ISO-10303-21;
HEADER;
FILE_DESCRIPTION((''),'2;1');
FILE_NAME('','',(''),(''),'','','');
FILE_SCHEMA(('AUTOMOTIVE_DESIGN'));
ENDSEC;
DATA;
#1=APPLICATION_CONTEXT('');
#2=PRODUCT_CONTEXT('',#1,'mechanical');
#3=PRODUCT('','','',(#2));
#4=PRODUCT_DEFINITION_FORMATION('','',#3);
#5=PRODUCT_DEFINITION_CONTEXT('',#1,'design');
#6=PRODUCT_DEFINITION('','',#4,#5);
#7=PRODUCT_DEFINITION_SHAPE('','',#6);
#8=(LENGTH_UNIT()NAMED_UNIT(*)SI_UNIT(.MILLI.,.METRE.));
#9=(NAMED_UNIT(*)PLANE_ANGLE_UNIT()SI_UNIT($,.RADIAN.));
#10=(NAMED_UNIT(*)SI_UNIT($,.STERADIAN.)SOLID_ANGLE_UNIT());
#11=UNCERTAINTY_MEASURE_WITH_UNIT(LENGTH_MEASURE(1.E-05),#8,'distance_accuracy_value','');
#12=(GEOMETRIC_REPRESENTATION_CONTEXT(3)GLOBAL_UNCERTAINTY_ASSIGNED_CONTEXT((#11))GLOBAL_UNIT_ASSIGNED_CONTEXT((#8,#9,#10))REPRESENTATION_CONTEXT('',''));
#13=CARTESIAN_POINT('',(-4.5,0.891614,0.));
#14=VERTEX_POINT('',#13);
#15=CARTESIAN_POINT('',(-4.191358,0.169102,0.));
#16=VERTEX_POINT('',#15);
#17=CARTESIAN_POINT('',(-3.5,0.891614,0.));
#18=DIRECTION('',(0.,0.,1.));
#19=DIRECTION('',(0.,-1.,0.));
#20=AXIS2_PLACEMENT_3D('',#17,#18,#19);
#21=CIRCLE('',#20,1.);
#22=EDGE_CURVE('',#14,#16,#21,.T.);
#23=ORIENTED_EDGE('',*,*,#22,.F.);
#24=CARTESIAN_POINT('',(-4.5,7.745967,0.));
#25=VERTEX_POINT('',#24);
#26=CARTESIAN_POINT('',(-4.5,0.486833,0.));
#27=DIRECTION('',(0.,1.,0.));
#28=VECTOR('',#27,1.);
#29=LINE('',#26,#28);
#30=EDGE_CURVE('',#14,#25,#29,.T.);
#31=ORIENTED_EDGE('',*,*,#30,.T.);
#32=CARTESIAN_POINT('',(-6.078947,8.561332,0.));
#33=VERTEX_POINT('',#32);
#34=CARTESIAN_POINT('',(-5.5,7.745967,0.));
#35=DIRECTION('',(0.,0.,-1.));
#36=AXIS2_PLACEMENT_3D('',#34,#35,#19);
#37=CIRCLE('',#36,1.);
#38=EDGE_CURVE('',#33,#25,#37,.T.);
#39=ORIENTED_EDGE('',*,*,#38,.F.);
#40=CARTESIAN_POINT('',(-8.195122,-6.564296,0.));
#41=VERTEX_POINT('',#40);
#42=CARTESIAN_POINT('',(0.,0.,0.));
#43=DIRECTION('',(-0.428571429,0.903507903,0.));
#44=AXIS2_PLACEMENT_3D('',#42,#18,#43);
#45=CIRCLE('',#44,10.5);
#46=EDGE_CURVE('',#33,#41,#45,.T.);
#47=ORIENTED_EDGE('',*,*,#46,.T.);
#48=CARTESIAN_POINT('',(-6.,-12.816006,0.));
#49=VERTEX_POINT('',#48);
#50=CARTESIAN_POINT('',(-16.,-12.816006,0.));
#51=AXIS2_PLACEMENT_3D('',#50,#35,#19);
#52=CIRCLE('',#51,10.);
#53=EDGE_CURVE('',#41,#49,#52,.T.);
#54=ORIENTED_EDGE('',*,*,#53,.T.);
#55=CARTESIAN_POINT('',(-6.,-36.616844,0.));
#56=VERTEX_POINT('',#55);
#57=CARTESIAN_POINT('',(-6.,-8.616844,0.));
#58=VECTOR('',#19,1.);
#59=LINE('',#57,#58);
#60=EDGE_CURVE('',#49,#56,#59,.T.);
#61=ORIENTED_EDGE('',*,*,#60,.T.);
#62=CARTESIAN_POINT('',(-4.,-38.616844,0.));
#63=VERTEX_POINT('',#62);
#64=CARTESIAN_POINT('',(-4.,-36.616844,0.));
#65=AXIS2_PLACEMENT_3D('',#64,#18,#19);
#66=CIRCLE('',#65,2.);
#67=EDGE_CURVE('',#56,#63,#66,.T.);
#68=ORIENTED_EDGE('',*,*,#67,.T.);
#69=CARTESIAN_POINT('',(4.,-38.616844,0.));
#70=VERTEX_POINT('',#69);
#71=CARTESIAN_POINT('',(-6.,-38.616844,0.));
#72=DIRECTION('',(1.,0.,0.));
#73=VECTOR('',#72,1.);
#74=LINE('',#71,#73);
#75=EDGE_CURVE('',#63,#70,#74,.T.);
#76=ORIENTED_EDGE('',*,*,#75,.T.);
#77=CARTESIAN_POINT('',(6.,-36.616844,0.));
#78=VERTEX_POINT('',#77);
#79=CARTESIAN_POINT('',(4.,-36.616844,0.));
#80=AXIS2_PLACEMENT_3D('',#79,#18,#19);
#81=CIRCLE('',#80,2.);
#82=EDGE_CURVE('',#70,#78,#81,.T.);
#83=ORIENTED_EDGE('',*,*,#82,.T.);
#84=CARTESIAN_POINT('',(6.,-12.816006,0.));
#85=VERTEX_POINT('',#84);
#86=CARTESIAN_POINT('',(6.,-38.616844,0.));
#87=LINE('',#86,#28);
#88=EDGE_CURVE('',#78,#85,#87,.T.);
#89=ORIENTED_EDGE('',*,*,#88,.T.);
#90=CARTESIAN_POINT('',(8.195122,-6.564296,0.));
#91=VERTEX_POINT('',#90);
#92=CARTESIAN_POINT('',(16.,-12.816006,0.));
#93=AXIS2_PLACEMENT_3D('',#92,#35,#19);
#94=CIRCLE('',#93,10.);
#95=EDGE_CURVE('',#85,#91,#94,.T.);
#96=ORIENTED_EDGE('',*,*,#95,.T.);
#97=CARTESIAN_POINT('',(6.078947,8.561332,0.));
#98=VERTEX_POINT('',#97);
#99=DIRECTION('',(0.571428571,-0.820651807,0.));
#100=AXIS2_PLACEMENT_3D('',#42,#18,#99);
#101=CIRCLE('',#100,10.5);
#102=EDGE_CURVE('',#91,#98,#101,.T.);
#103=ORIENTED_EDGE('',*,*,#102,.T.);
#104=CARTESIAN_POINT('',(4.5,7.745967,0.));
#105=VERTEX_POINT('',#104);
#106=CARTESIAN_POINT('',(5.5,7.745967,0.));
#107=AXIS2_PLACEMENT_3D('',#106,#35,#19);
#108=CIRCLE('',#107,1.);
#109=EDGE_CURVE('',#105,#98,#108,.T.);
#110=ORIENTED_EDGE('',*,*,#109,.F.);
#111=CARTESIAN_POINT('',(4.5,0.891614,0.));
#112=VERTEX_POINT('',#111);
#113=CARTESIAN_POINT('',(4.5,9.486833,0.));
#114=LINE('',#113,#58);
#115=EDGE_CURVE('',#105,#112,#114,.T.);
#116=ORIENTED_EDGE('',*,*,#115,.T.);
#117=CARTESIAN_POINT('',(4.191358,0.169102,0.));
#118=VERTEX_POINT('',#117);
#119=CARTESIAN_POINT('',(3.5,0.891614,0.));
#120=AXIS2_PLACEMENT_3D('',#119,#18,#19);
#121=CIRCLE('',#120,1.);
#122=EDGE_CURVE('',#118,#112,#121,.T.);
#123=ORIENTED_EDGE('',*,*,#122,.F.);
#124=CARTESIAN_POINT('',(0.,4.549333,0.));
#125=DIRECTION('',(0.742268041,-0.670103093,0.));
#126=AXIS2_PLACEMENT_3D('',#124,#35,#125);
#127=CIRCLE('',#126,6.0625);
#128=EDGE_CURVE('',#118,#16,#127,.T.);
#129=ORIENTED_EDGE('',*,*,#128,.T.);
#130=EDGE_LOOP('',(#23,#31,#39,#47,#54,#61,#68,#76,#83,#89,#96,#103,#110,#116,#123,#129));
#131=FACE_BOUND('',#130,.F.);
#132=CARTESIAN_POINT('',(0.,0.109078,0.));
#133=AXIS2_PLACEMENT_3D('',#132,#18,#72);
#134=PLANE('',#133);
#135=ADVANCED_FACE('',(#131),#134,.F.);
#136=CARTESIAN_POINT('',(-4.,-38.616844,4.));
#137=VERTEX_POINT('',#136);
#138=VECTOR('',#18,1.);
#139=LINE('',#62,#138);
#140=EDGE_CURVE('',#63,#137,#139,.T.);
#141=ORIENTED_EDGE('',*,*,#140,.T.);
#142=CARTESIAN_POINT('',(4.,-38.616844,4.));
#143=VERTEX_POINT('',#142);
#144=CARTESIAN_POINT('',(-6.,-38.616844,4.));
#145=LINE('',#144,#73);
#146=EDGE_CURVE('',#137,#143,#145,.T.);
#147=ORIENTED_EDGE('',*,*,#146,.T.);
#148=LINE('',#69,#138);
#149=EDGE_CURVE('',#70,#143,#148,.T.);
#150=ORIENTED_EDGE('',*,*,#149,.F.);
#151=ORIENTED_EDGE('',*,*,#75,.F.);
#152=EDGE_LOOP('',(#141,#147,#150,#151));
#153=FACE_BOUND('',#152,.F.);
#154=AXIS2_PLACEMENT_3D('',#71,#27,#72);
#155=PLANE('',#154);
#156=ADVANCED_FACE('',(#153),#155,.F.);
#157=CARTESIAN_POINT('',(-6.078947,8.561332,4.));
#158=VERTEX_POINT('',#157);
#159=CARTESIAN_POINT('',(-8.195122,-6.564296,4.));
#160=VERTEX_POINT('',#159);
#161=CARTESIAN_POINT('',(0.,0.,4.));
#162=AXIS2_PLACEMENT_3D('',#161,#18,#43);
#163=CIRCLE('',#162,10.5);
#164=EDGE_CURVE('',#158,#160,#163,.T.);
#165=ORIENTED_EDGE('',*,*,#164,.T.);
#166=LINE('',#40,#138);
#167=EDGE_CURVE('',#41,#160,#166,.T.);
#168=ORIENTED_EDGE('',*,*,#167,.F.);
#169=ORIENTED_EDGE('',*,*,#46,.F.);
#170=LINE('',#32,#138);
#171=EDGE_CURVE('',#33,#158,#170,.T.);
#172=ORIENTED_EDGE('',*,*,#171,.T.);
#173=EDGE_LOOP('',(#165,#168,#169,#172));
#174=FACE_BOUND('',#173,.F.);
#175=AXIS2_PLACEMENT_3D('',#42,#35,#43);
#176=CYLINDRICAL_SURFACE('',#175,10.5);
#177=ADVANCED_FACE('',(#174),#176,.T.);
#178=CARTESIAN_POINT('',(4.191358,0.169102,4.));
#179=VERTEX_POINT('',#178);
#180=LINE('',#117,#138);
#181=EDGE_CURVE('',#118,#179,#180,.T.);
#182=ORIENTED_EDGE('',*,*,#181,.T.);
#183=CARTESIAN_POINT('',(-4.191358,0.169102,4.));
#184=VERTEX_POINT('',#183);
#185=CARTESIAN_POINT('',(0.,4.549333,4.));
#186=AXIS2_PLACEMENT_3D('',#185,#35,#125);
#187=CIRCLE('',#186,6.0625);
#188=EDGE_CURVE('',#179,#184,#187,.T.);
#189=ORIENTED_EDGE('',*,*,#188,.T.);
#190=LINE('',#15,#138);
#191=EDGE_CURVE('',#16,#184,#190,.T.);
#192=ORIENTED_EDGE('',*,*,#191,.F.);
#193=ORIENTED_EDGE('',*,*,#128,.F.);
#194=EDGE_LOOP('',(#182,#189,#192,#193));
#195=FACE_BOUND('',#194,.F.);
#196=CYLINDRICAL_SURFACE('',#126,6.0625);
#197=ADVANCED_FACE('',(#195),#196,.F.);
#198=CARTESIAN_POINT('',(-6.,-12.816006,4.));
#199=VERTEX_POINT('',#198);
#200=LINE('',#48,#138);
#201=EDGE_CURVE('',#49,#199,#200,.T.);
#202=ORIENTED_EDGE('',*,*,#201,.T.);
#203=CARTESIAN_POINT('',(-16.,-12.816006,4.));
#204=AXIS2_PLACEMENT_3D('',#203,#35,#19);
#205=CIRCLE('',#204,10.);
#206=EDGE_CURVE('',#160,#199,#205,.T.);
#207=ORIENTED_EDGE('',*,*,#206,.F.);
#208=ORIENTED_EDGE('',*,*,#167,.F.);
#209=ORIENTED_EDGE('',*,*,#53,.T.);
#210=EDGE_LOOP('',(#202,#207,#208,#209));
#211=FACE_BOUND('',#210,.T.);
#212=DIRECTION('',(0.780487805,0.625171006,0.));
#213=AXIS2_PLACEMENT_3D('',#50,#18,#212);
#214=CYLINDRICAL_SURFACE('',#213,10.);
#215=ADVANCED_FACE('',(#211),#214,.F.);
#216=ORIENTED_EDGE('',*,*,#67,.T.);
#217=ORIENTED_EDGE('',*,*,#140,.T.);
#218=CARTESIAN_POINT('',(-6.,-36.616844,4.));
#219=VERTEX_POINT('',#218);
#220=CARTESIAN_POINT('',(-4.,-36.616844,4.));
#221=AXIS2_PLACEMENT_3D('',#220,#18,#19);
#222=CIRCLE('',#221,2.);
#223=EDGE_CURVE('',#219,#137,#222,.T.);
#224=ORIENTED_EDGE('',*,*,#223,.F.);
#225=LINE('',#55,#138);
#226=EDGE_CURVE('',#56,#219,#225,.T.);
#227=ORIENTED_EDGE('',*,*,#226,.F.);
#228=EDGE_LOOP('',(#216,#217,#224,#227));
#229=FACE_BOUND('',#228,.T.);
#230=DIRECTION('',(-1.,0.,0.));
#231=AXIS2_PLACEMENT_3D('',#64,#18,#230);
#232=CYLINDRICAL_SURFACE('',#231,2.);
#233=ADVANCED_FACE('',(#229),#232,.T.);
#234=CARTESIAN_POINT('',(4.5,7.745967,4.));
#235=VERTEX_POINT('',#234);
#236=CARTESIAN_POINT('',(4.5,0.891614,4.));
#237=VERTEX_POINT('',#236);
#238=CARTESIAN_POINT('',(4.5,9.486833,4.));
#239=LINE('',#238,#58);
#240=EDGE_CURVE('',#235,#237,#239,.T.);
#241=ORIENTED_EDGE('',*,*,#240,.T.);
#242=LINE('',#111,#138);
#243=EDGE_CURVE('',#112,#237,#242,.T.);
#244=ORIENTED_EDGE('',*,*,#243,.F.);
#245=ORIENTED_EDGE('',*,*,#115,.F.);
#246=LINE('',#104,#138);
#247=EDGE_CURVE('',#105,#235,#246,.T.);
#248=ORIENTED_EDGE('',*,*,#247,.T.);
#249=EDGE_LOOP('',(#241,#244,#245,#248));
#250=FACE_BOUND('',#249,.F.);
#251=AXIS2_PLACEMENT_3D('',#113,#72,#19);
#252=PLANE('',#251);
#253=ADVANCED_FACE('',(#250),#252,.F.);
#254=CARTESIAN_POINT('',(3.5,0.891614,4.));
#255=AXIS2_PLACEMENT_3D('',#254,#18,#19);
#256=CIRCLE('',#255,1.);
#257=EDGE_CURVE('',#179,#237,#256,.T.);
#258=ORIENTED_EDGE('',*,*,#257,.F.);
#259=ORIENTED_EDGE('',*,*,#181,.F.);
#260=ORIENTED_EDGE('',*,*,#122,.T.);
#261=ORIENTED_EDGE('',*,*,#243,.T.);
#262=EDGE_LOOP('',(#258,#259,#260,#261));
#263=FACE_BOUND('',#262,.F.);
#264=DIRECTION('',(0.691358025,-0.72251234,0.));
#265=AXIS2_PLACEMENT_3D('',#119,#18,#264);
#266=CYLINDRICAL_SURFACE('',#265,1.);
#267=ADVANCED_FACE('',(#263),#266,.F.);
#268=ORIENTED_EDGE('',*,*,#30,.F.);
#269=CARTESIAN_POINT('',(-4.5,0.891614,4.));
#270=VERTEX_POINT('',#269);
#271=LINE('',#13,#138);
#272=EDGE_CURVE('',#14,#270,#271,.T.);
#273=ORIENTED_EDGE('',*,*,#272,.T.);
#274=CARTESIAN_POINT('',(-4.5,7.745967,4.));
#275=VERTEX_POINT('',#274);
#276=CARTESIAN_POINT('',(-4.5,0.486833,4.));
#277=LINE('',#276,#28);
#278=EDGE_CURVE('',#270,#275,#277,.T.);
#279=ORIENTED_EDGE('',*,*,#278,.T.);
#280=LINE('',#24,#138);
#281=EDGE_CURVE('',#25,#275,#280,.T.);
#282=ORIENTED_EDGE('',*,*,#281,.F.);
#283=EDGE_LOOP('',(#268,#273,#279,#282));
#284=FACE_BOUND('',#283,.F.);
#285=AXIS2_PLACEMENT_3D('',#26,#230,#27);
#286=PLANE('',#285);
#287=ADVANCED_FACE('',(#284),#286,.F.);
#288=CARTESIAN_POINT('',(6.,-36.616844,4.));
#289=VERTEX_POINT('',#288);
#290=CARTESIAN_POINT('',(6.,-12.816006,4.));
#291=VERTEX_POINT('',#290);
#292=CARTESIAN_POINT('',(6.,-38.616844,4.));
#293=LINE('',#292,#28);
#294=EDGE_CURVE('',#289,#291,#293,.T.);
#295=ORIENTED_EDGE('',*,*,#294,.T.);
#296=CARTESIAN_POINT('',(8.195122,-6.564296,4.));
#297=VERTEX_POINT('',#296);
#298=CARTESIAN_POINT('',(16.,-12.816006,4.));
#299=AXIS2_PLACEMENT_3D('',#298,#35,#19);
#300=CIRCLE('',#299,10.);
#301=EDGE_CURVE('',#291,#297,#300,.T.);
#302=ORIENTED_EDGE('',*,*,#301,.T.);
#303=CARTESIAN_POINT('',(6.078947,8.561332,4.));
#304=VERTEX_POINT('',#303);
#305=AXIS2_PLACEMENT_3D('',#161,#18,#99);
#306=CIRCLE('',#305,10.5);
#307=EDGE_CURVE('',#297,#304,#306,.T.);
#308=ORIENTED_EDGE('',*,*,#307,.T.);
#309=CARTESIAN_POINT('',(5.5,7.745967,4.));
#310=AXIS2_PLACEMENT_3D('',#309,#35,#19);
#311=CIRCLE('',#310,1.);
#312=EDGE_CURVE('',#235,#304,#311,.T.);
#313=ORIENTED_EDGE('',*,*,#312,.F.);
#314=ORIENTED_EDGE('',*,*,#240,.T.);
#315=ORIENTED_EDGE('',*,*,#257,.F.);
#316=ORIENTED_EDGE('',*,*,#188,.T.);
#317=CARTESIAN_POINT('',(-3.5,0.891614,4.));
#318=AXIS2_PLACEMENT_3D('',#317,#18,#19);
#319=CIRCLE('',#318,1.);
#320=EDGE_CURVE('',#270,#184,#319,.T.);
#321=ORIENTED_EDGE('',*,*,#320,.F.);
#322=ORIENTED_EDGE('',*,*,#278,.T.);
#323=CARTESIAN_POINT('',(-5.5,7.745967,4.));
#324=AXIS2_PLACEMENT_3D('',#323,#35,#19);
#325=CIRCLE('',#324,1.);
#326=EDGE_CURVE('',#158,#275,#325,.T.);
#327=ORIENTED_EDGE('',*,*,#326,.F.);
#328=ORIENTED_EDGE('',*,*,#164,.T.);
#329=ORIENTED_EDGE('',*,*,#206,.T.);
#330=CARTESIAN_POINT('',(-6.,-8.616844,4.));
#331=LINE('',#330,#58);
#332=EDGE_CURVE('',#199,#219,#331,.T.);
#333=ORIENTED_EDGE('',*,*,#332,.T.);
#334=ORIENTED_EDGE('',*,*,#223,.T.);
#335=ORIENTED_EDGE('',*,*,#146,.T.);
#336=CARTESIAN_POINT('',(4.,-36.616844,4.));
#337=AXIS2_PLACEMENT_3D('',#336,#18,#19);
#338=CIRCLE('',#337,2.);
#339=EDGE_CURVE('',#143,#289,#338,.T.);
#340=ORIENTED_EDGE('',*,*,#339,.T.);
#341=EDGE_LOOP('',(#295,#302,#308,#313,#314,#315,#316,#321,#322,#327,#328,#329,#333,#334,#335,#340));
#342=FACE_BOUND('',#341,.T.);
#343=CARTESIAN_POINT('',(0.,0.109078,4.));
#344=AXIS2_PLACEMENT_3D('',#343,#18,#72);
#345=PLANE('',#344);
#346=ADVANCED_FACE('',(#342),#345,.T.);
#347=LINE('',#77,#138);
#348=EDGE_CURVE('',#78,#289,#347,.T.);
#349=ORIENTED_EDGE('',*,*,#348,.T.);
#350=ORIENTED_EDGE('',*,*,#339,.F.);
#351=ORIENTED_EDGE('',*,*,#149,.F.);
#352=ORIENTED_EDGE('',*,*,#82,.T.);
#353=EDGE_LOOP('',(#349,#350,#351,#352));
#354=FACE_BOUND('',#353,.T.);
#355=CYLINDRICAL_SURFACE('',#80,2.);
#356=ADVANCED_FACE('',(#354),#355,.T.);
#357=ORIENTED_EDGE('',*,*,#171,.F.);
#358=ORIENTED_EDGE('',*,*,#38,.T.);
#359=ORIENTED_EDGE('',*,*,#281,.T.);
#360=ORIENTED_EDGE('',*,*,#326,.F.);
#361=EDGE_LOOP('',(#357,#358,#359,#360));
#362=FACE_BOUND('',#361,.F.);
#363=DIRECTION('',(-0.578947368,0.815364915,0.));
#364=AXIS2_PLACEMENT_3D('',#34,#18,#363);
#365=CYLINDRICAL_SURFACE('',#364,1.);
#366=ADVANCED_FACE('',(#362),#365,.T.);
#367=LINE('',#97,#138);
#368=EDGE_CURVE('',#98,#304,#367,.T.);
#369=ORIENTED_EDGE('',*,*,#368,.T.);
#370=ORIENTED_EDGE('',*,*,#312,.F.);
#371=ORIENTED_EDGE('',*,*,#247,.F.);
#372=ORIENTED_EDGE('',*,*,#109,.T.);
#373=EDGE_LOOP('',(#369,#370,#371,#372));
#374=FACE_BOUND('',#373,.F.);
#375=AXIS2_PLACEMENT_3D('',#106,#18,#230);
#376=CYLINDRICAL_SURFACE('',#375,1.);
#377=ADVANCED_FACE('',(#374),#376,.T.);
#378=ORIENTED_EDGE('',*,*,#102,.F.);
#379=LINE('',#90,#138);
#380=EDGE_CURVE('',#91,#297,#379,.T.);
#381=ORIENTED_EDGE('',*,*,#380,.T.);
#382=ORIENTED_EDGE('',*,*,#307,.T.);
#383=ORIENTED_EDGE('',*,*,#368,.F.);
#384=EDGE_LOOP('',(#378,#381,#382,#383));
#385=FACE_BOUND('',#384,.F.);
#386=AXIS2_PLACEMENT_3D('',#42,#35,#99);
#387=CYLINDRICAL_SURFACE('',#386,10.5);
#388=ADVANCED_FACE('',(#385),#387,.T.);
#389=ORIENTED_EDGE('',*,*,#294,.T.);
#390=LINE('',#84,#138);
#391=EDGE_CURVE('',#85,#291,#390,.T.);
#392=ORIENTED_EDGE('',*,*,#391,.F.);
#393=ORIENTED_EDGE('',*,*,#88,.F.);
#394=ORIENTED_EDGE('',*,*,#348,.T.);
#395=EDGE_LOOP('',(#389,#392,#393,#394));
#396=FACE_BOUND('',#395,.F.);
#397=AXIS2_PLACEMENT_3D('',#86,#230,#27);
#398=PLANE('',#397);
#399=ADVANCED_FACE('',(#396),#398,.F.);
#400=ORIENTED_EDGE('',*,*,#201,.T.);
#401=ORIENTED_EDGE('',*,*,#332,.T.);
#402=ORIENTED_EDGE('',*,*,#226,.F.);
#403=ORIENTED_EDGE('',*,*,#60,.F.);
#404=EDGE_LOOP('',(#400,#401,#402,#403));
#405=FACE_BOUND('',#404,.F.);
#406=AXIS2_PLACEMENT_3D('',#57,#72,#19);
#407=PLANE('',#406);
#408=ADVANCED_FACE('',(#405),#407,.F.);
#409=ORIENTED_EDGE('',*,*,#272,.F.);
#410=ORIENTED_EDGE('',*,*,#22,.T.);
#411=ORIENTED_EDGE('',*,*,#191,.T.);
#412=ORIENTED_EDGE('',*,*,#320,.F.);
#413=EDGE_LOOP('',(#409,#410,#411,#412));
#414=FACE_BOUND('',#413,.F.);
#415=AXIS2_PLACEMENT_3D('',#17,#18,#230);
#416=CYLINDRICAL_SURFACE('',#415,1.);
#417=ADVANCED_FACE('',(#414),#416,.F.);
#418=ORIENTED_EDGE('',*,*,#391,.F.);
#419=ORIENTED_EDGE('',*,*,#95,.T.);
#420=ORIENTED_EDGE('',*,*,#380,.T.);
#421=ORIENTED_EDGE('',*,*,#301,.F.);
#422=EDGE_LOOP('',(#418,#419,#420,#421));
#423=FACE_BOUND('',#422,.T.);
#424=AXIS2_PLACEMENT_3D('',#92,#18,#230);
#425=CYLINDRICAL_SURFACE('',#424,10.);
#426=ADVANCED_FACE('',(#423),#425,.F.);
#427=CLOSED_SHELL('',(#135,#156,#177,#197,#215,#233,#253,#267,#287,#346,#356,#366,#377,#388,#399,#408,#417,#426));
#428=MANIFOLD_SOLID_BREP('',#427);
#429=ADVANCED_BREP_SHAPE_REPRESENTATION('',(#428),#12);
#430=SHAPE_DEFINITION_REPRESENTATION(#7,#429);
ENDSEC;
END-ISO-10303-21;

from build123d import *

# Parameters (mm, degrees)
F1_DEPTH = 4
F2_R     = 10
F3_R     = 1
F4_R     = 2
F5_R     = 1


with BuildPart() as f1:
    # F0 (on Top) → F1 (new body)
    with BuildSketch(Plane.XY):
        with BuildLine():
            Line((-4.5, 0.4868329805), (-4.5, 9.4868329805))
            ThreePointArc((-4.5, 9.4868329805), (-10.4641425726, 0.8670180042), (-6, -8.6168439698))
            Line((-6, -8.6168439698), (6, -8.6168439698))
            ThreePointArc((6, -8.6168439698), (10.4641425726, 0.8670180042), (4.5, 9.4868329805))
            Line((4.5, 9.4868329805), (4.5, 0.4868329805))
            ThreePointArc((4.5, 0.4868329805), (0, -1.5131670195), (-4.5, 0.4868329805))
        make_face()
        with BuildLine():
            Line((6, -8.6168439698), (-6, -8.6168439698))
            ThreePointArc((-6, -8.6168439698), (0, -10.5), (6, -8.6168439698))
        make_face()
        with BuildLine():
            ThreePointArc((6, -8.6168439698), (0, -10.5), (-6, -8.6168439698))
            Line((-6, -8.6168439698), (-6, -38.6168439698))
            Line((-6, -38.6168439698), (6, -38.6168439698))
            Line((6, -38.6168439698), (6, -8.6168439698))
        make_face()
    extrude(amount=F1_DEPTH)

    # F2
    f2_edges = [f1.edges().sort_by_distance(p)[0] for p in [
        (-6, -8.616844, 2),
        (6, -8.616844, 2),
    ]]
    fillet(f2_edges, radius=F2_R)

    # F3
    f3_edges = [f1.edges().sort_by_distance(p)[0] for p in [
        (-4.5, 9.486833, 2),
        (4.5, 9.486833, 2),
    ]]
    fillet(f3_edges, radius=F3_R)

    # F4
    f4_edges = [f1.edges().sort_by_distance(p)[0] for p in [
        (6, -38.616844, 2),
        (-6, -38.616844, 2),
    ]]
    fillet(f4_edges, radius=F4_R)

    # F5
    f5_edges = [f1.edges().sort_by_distance(p)[0] for p in [
        (4.5, 0.486833, 2),
        (-4.5, 0.486833, 2),
    ]]
    fillet(f5_edges, radius=F5_R)


solid = f1.part
